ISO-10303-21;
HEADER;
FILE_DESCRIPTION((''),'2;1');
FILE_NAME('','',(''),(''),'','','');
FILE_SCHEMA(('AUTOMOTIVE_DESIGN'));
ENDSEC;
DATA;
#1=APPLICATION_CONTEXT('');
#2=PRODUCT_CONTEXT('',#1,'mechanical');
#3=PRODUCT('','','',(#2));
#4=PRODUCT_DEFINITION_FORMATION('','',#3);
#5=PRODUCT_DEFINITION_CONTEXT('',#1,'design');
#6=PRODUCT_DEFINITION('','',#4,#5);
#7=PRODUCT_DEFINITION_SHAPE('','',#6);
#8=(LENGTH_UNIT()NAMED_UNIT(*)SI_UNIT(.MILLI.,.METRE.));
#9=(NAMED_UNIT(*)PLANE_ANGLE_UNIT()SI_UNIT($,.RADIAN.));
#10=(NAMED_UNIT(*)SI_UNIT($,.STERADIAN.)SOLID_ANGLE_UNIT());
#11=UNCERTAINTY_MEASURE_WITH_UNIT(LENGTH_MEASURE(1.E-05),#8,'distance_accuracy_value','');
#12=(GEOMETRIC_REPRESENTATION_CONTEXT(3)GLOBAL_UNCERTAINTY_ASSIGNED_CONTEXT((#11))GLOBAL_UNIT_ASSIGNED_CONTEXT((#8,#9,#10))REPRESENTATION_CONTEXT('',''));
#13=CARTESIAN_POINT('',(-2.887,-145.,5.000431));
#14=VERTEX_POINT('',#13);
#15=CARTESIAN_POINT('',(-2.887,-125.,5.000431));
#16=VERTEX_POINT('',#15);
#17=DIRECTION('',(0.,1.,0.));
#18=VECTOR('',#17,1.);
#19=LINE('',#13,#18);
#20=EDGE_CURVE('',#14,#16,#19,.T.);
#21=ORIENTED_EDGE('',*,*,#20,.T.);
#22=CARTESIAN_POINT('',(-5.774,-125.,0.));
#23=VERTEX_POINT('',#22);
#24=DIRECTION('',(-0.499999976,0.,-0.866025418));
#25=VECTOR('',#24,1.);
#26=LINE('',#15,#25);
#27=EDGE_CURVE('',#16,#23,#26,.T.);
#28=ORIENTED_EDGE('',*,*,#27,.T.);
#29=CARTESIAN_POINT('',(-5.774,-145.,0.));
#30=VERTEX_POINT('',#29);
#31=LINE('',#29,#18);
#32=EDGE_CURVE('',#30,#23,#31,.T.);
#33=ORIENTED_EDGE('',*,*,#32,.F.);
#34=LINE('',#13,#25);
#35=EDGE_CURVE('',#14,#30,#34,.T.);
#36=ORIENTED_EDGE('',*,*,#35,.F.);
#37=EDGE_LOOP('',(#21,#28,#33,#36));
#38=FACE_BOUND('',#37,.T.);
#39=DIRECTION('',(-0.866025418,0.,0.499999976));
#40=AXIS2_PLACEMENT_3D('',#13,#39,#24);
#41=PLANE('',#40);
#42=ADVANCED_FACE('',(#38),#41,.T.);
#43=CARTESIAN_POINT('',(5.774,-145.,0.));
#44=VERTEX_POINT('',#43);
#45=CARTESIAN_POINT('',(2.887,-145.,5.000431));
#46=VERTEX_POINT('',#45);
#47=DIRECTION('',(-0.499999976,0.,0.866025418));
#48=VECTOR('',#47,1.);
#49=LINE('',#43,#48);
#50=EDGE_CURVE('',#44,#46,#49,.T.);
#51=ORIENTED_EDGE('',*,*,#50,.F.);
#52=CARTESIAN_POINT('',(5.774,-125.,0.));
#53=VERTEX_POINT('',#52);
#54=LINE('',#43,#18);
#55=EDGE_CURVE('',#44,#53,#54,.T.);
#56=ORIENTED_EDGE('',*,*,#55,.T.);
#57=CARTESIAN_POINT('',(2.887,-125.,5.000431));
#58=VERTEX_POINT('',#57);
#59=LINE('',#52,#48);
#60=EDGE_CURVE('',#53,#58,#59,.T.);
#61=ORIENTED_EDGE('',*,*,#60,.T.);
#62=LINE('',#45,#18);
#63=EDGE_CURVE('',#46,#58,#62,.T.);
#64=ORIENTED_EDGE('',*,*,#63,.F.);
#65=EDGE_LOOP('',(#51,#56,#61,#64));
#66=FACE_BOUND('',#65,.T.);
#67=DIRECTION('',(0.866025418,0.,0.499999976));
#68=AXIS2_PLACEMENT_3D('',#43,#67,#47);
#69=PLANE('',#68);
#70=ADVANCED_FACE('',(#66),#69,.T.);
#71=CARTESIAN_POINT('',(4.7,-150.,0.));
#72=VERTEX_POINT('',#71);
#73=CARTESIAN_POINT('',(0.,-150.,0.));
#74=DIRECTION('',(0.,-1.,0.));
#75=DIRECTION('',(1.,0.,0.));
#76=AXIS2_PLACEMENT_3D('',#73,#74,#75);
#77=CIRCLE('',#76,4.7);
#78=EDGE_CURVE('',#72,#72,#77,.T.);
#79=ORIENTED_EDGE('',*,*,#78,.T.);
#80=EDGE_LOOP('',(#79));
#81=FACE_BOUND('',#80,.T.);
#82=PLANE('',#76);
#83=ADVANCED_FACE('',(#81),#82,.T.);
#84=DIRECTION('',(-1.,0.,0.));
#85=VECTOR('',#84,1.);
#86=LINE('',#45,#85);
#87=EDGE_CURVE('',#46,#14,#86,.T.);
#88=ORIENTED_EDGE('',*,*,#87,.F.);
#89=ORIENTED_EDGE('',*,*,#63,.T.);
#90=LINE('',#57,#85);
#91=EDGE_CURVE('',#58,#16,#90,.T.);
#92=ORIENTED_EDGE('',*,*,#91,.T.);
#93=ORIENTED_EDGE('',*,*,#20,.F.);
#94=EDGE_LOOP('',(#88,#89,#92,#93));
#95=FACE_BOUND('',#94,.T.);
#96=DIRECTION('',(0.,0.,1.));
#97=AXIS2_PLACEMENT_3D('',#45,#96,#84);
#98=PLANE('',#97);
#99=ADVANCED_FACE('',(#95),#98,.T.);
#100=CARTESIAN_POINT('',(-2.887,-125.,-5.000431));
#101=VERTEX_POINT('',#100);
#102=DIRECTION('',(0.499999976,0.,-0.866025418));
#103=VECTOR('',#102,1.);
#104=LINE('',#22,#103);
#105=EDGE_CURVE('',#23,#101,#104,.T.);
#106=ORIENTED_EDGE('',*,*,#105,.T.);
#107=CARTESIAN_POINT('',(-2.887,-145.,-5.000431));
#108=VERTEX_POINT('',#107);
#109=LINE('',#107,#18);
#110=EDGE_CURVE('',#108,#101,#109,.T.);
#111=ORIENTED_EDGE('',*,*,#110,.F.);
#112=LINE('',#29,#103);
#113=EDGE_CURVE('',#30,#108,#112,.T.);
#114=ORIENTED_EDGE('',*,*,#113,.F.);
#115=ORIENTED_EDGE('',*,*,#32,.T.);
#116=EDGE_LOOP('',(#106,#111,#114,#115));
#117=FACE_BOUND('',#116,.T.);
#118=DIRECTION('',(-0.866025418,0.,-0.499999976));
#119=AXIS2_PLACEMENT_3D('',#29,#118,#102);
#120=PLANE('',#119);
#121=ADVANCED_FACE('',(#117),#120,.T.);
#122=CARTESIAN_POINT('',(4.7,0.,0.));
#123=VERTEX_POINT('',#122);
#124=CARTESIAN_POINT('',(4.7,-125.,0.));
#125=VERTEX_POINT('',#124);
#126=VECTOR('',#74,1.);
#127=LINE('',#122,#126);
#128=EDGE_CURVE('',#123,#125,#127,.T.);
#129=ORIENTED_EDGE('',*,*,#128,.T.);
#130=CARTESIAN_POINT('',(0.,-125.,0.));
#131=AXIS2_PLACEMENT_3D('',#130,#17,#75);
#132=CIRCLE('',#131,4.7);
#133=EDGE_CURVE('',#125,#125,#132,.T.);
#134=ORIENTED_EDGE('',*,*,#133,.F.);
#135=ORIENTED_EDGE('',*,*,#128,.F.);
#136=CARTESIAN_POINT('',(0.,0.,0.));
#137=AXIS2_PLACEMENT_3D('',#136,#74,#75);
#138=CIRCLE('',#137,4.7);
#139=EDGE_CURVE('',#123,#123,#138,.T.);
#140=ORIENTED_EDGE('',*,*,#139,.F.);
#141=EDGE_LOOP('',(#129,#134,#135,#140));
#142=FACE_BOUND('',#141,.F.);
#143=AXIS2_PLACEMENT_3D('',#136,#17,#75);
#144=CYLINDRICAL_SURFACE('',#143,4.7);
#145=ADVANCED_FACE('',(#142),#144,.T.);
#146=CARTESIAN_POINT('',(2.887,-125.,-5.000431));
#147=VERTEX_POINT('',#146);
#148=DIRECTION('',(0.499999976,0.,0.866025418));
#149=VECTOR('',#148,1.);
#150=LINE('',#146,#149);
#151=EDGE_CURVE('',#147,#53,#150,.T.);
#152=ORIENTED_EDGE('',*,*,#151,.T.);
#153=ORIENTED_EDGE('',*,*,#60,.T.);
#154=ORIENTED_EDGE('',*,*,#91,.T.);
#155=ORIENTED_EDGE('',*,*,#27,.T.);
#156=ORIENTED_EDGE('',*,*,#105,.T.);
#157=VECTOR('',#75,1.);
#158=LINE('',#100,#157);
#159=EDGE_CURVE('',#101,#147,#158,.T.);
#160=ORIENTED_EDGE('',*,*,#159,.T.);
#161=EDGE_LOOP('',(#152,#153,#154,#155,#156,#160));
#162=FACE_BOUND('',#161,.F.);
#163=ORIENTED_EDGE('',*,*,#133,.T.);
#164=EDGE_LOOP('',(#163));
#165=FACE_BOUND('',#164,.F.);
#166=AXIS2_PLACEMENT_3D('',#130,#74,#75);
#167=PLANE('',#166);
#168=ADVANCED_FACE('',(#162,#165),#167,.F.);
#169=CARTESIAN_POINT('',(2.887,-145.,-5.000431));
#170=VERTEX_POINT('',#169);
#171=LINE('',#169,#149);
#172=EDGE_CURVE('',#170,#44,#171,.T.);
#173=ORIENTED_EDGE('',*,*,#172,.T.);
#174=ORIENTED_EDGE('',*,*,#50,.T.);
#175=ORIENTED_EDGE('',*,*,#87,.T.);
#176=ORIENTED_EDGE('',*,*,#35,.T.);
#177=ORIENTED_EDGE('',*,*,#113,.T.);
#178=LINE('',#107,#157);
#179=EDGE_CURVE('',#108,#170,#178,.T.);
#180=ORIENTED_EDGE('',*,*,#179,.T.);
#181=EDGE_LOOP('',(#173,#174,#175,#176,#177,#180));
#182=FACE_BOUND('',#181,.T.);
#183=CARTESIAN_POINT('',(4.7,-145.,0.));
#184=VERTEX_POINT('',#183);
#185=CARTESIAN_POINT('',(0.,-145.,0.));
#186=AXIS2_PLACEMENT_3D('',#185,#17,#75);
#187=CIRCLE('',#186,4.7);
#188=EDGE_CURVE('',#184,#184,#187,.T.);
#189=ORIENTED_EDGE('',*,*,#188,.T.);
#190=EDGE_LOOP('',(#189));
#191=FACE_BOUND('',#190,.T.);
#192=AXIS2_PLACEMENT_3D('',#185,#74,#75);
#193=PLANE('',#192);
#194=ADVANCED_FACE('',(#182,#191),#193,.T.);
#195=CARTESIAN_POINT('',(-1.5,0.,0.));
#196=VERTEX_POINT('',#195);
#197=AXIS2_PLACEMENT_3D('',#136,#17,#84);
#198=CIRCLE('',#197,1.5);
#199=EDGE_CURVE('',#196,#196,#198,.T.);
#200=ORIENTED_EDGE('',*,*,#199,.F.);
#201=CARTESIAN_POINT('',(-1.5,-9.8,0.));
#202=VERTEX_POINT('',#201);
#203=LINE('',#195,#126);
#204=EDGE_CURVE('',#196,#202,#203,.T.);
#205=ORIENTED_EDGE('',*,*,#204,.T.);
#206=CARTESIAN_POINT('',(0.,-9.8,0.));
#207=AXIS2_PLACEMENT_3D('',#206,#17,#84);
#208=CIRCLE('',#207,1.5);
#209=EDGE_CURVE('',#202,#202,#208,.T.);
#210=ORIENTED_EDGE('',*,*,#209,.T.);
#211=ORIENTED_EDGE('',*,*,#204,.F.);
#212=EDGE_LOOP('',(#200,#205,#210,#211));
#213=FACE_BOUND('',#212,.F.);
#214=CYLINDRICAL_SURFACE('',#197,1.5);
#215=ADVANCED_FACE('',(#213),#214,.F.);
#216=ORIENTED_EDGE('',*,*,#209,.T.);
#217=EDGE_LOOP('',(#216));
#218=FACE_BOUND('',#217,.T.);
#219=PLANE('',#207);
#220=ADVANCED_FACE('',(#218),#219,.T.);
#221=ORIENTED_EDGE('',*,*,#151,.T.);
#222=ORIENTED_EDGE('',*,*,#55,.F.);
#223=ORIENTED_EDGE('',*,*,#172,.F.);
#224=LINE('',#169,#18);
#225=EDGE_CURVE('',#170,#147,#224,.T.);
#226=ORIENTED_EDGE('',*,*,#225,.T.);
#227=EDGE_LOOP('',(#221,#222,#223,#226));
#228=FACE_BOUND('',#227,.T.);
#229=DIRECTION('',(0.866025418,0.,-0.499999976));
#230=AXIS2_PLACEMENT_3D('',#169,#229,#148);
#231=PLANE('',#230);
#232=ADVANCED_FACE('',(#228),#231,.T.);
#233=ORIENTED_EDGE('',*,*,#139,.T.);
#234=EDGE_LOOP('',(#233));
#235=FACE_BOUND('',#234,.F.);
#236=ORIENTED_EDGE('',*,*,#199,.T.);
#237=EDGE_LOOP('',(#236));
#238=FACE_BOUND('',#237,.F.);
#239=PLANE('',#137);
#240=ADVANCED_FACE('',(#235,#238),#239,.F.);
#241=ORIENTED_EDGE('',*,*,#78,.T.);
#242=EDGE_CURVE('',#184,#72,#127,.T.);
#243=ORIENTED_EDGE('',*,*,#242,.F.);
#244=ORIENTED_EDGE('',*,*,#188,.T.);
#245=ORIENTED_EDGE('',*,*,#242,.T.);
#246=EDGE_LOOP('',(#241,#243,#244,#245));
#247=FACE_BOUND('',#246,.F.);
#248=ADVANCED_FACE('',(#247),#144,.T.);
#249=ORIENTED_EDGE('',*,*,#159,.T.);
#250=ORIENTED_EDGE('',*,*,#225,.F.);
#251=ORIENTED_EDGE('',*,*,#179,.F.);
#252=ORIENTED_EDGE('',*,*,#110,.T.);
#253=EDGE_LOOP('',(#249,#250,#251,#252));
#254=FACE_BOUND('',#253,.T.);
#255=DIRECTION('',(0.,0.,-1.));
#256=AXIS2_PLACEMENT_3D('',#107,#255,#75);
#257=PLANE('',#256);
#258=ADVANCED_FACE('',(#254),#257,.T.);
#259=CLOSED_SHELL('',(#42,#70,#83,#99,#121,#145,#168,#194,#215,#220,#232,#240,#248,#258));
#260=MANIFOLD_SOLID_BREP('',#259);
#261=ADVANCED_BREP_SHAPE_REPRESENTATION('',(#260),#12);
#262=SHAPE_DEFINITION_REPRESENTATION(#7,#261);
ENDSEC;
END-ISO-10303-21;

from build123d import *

# Parameters (mm, degrees)
F0_R     = 4.7
F1_DEPTH = 150
F2_R     = 1.5
F3_DEPTH = 9.8
F6_DEPTH = 20


with BuildPart() as f1:
    # F0 (on Front) → F1 (new body)
    with BuildSketch(Plane.XZ):
        Circle(F0_R)
    extrude(amount=F1_DEPTH)

    # F2 (on face) → F3 (cut)
    with BuildSketch(Plane(origin=(0, 0, 0), x_dir=(-1, 0, 0), z_dir=(0, 1, 0))):
        Circle(F2_R)
    extrude(amount=-F3_DEPTH, mode=Mode.SUBTRACT)

    # F5 (on offset) → F6 (join)
    with BuildSketch(Plane.XZ.offset(145)):
        Polygon((2.887, 5.000431), (-2.887, 5.000431), (-5.774, 0), (-2.887, -5.000431), (2.887, -5.000431), (5.774, 0), align=None)
    extrude(amount=-F6_DEPTH)


solid = f1.part
